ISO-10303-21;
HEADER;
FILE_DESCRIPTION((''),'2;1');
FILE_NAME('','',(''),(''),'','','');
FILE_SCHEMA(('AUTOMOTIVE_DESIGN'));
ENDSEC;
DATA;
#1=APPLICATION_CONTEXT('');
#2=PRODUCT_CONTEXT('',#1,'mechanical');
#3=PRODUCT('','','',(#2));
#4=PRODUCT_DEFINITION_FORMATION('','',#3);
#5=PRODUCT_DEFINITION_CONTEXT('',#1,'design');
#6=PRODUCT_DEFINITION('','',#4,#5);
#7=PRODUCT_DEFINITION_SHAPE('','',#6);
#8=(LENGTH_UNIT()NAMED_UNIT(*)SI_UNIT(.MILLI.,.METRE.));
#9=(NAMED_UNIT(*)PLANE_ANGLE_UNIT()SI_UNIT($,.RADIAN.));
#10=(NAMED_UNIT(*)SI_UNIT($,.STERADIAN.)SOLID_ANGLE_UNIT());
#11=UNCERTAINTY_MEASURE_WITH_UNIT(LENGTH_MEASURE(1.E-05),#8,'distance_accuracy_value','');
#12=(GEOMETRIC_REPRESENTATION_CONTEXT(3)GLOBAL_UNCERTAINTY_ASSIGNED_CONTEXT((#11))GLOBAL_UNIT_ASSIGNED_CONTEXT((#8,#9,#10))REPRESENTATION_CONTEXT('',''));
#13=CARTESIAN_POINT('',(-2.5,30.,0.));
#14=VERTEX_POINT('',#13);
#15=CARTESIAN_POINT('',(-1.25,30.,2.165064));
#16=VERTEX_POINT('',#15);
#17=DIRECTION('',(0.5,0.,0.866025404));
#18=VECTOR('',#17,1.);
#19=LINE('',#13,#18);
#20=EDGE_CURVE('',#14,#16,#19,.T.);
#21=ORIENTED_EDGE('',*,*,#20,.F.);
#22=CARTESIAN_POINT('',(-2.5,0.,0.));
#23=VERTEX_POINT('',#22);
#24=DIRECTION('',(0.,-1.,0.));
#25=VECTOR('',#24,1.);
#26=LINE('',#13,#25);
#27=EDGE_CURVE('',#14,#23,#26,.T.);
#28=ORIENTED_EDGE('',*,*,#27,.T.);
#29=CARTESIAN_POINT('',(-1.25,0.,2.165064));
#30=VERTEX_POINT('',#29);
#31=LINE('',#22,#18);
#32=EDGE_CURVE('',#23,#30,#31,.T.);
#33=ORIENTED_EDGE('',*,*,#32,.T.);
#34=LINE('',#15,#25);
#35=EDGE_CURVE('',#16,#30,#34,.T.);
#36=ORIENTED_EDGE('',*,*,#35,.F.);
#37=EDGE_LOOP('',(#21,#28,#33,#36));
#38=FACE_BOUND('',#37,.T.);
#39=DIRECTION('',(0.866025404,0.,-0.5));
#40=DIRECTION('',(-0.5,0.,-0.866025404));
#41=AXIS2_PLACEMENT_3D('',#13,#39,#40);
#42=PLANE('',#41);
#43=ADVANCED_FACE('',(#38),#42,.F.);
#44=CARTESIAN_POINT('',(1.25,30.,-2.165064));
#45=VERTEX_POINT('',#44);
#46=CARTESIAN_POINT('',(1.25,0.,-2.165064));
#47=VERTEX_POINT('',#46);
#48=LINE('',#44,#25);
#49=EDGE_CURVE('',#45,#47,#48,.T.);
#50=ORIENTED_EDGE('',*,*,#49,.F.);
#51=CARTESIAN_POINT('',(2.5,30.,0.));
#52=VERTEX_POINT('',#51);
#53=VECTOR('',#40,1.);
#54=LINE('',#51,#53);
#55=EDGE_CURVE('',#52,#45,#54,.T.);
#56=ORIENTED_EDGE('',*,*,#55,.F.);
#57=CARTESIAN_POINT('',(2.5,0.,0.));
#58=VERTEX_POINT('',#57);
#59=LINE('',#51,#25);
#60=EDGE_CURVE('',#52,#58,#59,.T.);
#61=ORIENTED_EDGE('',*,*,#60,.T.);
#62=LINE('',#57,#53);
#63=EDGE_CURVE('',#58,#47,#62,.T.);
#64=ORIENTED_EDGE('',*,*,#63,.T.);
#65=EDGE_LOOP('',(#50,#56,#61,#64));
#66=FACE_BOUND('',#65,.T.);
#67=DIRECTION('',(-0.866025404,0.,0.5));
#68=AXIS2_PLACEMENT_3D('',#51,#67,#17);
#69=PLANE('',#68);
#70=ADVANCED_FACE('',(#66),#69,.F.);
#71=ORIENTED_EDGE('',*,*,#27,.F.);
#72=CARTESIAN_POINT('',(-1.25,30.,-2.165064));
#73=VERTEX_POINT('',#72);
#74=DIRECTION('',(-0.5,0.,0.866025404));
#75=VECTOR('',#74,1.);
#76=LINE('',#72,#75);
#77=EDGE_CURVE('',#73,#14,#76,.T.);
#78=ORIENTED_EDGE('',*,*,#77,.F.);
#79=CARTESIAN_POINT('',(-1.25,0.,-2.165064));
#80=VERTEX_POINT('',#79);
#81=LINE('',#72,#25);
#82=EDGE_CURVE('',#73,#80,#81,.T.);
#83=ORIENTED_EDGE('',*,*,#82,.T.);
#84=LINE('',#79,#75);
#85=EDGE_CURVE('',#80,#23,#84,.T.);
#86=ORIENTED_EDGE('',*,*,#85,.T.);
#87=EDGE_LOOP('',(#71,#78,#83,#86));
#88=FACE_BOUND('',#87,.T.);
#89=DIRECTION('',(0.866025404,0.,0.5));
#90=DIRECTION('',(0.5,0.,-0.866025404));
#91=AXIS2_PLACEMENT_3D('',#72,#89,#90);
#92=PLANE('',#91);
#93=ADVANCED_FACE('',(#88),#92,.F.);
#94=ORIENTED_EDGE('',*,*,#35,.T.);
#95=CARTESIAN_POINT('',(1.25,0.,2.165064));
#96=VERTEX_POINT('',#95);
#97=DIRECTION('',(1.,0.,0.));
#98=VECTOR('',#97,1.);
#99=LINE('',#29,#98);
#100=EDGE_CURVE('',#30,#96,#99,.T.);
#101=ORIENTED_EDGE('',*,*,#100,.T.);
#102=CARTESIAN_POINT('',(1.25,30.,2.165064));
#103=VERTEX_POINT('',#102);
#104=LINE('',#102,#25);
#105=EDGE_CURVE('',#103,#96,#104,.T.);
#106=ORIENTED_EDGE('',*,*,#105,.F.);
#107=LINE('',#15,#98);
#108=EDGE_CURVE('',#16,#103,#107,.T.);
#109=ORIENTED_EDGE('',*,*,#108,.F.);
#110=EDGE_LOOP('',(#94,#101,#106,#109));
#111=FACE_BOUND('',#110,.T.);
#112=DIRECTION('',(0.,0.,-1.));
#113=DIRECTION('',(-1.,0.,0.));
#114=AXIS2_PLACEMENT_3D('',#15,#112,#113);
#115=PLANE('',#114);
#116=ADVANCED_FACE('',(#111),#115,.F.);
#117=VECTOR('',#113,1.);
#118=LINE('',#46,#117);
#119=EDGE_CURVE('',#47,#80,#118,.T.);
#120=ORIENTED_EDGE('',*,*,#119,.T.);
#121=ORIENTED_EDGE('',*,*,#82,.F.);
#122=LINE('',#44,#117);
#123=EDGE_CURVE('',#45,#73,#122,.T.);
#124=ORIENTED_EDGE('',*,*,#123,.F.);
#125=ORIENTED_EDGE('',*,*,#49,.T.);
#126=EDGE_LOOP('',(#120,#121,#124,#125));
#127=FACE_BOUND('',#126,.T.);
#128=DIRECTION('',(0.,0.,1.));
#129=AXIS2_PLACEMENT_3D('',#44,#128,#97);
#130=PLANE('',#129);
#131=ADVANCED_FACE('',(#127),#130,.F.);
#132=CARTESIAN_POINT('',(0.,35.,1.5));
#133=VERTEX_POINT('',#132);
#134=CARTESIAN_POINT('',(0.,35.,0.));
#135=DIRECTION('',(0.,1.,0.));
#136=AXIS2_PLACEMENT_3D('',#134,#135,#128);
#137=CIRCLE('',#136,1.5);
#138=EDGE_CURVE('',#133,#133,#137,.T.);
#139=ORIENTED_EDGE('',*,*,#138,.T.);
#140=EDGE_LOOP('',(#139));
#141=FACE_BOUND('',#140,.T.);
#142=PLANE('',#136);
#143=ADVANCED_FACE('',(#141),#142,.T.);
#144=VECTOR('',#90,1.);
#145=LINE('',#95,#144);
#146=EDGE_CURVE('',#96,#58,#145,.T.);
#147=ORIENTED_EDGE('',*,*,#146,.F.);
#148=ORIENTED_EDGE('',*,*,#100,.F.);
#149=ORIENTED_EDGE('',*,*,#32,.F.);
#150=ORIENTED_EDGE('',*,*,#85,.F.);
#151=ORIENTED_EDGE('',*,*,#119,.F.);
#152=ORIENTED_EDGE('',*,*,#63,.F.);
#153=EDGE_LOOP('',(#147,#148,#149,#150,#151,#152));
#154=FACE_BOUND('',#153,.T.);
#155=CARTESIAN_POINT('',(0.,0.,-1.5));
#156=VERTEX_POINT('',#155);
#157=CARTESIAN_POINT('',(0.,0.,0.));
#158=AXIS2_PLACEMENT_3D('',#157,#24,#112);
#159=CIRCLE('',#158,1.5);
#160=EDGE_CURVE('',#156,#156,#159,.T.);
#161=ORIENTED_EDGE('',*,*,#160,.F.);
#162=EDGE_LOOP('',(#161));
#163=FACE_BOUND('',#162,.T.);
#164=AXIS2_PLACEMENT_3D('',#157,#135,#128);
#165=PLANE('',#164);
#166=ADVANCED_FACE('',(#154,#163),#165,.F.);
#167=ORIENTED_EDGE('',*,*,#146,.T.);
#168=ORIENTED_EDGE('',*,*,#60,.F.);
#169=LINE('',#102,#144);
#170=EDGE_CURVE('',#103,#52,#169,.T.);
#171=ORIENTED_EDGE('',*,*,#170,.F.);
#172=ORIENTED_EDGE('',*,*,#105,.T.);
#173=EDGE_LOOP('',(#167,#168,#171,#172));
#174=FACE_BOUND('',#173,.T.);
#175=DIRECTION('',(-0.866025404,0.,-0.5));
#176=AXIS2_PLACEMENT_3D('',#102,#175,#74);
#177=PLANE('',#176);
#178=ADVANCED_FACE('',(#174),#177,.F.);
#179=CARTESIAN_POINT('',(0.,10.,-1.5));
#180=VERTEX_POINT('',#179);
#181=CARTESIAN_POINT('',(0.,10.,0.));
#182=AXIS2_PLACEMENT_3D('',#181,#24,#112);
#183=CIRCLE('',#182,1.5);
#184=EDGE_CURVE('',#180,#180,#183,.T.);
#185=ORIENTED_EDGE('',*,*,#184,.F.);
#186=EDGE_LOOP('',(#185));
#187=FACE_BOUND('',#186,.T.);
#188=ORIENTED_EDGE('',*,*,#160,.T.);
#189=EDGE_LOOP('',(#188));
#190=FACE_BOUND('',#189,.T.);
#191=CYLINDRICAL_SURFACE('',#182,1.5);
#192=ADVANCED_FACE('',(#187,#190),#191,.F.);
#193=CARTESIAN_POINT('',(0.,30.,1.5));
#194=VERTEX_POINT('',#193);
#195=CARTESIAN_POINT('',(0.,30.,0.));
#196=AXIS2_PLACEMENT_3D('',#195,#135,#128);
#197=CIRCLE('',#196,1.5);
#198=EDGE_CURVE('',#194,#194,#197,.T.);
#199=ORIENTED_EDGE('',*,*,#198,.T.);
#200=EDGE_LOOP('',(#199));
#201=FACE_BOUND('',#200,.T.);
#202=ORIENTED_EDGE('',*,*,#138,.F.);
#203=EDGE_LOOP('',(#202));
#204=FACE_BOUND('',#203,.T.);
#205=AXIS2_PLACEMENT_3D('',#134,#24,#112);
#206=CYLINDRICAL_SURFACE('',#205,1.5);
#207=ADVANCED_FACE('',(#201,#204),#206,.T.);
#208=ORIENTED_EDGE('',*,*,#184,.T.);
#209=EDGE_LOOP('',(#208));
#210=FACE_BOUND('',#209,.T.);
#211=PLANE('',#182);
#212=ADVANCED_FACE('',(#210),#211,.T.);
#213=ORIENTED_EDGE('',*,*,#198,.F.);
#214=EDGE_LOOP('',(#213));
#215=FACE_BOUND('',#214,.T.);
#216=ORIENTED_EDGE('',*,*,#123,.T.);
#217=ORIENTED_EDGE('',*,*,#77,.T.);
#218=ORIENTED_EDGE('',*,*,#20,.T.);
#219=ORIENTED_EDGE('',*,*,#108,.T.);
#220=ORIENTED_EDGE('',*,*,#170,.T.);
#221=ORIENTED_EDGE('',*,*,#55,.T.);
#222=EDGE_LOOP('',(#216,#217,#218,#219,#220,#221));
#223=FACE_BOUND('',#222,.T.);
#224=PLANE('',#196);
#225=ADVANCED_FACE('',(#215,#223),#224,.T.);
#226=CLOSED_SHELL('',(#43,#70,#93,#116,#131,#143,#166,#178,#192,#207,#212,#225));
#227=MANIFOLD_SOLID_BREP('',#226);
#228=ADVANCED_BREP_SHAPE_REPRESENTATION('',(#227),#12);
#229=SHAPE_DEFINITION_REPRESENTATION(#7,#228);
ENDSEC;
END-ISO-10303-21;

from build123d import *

# Parameters (mm, degrees)
EXTRUDE_1_DEPTH     = 30
SKETCH_2_R          = 1.5
EXTRUDE_2_DEPTH     = 5
SKETCH_3_R          = 1.5
CUT_EXTRUDE_1_DEPTH = 10


with BuildPart() as part:
    # Эскиз1 → Бобышка-Вытянуть1 (new body)
    with BuildSketch(Plane(origin=(0, 0, 0), x_dir=(1, 0, 0), z_dir=(0, 1, 0))):
        Polygon((1.25, -2.165063509), (2.5, 0), (1.25, 2.165063509), (-1.25, 2.165063509), (-2.5, 0), (-1.25, -2.165063509), align=None)
    extrude(amount=EXTRUDE_1_DEPTH)

    # Эскиз2 → Бобышка-Вытянуть2 (add)
    with BuildSketch(Plane(origin=(0, 30, 0), x_dir=(1, 0, 0), z_dir=(0, 1, 0))):
        with Locations(Location((0, 0, 0), (0, 0, 270))):
            Circle(SKETCH_2_R)
    extrude(amount=EXTRUDE_2_DEPTH)

    # Эскиз3 → Вырез-Вытянуть1 (cut)
    with BuildSketch(Plane.XZ):
        with Locations(Location((0, 0, 0), (0, 0, 90))):
            Circle(SKETCH_3_R)
    extrude(amount=-CUT_EXTRUDE_1_DEPTH, mode=Mode.SUBTRACT)


solid = part.part
